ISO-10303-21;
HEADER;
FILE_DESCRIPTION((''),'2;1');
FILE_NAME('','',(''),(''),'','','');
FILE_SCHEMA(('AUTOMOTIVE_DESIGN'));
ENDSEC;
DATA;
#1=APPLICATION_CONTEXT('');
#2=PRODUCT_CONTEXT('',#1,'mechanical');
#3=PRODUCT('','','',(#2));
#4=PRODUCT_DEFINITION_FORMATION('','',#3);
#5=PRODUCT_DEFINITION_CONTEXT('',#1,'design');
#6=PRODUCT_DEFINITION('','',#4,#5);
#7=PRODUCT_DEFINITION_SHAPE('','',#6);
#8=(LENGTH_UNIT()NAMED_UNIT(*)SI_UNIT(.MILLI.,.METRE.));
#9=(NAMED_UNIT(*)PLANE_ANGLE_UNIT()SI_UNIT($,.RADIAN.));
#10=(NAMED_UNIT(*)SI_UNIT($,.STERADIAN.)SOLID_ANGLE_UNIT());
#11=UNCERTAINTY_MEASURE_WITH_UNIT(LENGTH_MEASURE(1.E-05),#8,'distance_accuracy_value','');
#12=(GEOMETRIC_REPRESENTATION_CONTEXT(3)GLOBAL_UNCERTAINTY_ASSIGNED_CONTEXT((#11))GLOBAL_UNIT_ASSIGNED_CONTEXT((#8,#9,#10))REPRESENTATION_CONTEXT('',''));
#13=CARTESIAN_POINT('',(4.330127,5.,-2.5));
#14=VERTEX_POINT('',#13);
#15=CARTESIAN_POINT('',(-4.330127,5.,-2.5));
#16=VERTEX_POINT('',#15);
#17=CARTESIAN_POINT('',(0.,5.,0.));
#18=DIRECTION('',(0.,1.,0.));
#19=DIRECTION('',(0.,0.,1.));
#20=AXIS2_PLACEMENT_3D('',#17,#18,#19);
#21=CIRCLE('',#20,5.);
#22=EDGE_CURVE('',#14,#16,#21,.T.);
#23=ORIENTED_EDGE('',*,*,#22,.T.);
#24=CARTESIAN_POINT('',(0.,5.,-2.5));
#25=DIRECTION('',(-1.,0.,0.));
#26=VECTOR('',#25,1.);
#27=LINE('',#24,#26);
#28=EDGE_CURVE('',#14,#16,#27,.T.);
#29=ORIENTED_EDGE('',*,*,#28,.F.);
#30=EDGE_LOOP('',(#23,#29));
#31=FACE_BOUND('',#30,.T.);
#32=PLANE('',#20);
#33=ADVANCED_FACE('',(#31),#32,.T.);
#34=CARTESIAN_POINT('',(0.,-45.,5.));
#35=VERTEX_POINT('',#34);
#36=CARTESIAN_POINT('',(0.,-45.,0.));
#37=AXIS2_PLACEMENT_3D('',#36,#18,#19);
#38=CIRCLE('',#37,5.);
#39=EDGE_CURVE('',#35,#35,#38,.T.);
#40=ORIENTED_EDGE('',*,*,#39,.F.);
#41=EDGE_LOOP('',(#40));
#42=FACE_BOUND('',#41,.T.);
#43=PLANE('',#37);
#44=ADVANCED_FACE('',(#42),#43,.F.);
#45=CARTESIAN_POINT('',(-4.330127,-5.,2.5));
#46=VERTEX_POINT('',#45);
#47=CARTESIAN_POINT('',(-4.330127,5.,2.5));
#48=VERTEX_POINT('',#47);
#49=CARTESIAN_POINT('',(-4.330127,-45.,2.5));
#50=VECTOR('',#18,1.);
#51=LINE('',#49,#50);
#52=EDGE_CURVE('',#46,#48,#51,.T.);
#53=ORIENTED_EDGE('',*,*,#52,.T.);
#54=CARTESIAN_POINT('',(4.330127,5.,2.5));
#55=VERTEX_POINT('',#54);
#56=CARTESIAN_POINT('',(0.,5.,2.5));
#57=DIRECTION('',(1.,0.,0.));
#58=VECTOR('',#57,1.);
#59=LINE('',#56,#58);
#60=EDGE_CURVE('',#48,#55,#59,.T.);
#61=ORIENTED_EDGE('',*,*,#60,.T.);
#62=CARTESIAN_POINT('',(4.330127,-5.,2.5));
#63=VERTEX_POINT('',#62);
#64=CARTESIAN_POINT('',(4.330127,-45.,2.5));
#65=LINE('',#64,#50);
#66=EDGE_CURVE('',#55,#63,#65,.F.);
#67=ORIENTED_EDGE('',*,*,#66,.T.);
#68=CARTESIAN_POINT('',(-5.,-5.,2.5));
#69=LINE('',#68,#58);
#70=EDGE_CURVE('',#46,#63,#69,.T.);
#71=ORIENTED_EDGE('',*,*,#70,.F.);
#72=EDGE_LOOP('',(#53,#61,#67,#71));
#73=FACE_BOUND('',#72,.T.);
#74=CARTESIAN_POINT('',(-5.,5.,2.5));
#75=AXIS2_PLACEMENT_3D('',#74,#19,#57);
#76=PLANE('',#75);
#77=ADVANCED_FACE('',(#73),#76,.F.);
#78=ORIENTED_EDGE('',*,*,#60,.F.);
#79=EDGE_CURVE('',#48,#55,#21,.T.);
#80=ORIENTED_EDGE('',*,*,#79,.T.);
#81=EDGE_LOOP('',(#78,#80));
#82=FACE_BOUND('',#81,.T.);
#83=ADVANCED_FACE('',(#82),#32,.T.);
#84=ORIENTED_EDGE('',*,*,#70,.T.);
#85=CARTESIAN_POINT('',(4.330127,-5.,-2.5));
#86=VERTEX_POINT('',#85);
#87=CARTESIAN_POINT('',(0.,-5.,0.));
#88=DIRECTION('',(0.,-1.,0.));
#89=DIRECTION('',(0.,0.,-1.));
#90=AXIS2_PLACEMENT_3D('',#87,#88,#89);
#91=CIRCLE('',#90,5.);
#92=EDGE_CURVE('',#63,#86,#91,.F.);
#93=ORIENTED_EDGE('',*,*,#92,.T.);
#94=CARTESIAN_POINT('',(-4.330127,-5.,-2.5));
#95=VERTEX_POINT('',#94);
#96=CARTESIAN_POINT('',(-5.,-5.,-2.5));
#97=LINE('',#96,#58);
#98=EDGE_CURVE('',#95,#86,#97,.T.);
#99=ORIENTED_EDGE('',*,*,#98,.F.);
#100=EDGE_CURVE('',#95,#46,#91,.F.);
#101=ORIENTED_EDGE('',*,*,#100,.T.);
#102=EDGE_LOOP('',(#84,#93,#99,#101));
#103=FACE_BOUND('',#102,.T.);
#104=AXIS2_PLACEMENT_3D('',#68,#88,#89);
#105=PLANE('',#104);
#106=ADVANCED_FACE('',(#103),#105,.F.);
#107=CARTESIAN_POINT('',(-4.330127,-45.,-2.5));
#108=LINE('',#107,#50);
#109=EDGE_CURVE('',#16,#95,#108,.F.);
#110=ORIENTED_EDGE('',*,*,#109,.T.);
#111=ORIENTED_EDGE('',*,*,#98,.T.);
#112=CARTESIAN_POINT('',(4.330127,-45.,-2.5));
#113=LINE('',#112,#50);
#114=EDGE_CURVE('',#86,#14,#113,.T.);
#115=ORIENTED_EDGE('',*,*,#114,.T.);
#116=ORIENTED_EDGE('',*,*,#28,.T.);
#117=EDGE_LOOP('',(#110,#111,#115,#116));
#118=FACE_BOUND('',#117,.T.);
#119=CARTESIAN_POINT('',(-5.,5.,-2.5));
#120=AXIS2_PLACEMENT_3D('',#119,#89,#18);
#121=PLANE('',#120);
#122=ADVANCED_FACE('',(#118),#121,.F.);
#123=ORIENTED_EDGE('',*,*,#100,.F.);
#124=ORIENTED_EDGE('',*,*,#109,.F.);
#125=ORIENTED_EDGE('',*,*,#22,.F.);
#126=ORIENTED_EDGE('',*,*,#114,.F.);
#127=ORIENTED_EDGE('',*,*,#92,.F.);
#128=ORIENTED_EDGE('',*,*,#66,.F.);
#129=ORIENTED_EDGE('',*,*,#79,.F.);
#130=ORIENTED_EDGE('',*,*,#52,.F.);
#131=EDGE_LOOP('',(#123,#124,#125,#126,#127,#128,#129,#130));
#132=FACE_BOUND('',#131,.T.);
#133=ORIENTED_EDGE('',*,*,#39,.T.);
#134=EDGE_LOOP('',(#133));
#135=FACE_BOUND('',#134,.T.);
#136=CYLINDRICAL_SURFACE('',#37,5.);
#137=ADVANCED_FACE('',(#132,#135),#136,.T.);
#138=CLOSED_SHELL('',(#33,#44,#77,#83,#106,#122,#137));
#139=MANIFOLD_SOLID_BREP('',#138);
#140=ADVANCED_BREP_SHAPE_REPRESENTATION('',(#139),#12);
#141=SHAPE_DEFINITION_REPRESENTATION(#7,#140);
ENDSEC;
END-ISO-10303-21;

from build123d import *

# Parameters (mm, degrees)
SKETCH1_R                = 5
BOSS_EXTRUDE1_DEPTH      = 5
BOSS_EXTRUDE1_DEPTH_BACK = 45
SKETCH2_W                = 5
SKETCH2_H                = 10
CUT_EXTRUDE1_DEPTH       = 6
CUT_EXTRUDE1_DEPTH_BACK  = 6


with BuildPart() as part:
    # Sketch1 → Boss-Extrude1 (new body, two sides)
    with BuildSketch(Plane(origin=(0, 0, 0), x_dir=(1, 0, 0), z_dir=(0, 1, 0))) as boss_extrude1_sk:
        Circle(SKETCH1_R)
    extrude(amount=BOSS_EXTRUDE1_DEPTH)
    extrude(boss_extrude1_sk.sketch, amount=-BOSS_EXTRUDE1_DEPTH_BACK)

    # Sketch2 → Cut-Extrude1 (cut, two sides)
    with BuildSketch(Plane(origin=(0, 0, 0), x_dir=(0, 0, -1), z_dir=(1, 0, 0))) as cut_extrude1_sk:
        Rectangle(SKETCH2_W, SKETCH2_H)
    extrude(amount=CUT_EXTRUDE1_DEPTH, mode=Mode.SUBTRACT)
    extrude(cut_extrude1_sk.sketch, amount=-CUT_EXTRUDE1_DEPTH_BACK, mode=Mode.SUBTRACT)


solid = part.part
